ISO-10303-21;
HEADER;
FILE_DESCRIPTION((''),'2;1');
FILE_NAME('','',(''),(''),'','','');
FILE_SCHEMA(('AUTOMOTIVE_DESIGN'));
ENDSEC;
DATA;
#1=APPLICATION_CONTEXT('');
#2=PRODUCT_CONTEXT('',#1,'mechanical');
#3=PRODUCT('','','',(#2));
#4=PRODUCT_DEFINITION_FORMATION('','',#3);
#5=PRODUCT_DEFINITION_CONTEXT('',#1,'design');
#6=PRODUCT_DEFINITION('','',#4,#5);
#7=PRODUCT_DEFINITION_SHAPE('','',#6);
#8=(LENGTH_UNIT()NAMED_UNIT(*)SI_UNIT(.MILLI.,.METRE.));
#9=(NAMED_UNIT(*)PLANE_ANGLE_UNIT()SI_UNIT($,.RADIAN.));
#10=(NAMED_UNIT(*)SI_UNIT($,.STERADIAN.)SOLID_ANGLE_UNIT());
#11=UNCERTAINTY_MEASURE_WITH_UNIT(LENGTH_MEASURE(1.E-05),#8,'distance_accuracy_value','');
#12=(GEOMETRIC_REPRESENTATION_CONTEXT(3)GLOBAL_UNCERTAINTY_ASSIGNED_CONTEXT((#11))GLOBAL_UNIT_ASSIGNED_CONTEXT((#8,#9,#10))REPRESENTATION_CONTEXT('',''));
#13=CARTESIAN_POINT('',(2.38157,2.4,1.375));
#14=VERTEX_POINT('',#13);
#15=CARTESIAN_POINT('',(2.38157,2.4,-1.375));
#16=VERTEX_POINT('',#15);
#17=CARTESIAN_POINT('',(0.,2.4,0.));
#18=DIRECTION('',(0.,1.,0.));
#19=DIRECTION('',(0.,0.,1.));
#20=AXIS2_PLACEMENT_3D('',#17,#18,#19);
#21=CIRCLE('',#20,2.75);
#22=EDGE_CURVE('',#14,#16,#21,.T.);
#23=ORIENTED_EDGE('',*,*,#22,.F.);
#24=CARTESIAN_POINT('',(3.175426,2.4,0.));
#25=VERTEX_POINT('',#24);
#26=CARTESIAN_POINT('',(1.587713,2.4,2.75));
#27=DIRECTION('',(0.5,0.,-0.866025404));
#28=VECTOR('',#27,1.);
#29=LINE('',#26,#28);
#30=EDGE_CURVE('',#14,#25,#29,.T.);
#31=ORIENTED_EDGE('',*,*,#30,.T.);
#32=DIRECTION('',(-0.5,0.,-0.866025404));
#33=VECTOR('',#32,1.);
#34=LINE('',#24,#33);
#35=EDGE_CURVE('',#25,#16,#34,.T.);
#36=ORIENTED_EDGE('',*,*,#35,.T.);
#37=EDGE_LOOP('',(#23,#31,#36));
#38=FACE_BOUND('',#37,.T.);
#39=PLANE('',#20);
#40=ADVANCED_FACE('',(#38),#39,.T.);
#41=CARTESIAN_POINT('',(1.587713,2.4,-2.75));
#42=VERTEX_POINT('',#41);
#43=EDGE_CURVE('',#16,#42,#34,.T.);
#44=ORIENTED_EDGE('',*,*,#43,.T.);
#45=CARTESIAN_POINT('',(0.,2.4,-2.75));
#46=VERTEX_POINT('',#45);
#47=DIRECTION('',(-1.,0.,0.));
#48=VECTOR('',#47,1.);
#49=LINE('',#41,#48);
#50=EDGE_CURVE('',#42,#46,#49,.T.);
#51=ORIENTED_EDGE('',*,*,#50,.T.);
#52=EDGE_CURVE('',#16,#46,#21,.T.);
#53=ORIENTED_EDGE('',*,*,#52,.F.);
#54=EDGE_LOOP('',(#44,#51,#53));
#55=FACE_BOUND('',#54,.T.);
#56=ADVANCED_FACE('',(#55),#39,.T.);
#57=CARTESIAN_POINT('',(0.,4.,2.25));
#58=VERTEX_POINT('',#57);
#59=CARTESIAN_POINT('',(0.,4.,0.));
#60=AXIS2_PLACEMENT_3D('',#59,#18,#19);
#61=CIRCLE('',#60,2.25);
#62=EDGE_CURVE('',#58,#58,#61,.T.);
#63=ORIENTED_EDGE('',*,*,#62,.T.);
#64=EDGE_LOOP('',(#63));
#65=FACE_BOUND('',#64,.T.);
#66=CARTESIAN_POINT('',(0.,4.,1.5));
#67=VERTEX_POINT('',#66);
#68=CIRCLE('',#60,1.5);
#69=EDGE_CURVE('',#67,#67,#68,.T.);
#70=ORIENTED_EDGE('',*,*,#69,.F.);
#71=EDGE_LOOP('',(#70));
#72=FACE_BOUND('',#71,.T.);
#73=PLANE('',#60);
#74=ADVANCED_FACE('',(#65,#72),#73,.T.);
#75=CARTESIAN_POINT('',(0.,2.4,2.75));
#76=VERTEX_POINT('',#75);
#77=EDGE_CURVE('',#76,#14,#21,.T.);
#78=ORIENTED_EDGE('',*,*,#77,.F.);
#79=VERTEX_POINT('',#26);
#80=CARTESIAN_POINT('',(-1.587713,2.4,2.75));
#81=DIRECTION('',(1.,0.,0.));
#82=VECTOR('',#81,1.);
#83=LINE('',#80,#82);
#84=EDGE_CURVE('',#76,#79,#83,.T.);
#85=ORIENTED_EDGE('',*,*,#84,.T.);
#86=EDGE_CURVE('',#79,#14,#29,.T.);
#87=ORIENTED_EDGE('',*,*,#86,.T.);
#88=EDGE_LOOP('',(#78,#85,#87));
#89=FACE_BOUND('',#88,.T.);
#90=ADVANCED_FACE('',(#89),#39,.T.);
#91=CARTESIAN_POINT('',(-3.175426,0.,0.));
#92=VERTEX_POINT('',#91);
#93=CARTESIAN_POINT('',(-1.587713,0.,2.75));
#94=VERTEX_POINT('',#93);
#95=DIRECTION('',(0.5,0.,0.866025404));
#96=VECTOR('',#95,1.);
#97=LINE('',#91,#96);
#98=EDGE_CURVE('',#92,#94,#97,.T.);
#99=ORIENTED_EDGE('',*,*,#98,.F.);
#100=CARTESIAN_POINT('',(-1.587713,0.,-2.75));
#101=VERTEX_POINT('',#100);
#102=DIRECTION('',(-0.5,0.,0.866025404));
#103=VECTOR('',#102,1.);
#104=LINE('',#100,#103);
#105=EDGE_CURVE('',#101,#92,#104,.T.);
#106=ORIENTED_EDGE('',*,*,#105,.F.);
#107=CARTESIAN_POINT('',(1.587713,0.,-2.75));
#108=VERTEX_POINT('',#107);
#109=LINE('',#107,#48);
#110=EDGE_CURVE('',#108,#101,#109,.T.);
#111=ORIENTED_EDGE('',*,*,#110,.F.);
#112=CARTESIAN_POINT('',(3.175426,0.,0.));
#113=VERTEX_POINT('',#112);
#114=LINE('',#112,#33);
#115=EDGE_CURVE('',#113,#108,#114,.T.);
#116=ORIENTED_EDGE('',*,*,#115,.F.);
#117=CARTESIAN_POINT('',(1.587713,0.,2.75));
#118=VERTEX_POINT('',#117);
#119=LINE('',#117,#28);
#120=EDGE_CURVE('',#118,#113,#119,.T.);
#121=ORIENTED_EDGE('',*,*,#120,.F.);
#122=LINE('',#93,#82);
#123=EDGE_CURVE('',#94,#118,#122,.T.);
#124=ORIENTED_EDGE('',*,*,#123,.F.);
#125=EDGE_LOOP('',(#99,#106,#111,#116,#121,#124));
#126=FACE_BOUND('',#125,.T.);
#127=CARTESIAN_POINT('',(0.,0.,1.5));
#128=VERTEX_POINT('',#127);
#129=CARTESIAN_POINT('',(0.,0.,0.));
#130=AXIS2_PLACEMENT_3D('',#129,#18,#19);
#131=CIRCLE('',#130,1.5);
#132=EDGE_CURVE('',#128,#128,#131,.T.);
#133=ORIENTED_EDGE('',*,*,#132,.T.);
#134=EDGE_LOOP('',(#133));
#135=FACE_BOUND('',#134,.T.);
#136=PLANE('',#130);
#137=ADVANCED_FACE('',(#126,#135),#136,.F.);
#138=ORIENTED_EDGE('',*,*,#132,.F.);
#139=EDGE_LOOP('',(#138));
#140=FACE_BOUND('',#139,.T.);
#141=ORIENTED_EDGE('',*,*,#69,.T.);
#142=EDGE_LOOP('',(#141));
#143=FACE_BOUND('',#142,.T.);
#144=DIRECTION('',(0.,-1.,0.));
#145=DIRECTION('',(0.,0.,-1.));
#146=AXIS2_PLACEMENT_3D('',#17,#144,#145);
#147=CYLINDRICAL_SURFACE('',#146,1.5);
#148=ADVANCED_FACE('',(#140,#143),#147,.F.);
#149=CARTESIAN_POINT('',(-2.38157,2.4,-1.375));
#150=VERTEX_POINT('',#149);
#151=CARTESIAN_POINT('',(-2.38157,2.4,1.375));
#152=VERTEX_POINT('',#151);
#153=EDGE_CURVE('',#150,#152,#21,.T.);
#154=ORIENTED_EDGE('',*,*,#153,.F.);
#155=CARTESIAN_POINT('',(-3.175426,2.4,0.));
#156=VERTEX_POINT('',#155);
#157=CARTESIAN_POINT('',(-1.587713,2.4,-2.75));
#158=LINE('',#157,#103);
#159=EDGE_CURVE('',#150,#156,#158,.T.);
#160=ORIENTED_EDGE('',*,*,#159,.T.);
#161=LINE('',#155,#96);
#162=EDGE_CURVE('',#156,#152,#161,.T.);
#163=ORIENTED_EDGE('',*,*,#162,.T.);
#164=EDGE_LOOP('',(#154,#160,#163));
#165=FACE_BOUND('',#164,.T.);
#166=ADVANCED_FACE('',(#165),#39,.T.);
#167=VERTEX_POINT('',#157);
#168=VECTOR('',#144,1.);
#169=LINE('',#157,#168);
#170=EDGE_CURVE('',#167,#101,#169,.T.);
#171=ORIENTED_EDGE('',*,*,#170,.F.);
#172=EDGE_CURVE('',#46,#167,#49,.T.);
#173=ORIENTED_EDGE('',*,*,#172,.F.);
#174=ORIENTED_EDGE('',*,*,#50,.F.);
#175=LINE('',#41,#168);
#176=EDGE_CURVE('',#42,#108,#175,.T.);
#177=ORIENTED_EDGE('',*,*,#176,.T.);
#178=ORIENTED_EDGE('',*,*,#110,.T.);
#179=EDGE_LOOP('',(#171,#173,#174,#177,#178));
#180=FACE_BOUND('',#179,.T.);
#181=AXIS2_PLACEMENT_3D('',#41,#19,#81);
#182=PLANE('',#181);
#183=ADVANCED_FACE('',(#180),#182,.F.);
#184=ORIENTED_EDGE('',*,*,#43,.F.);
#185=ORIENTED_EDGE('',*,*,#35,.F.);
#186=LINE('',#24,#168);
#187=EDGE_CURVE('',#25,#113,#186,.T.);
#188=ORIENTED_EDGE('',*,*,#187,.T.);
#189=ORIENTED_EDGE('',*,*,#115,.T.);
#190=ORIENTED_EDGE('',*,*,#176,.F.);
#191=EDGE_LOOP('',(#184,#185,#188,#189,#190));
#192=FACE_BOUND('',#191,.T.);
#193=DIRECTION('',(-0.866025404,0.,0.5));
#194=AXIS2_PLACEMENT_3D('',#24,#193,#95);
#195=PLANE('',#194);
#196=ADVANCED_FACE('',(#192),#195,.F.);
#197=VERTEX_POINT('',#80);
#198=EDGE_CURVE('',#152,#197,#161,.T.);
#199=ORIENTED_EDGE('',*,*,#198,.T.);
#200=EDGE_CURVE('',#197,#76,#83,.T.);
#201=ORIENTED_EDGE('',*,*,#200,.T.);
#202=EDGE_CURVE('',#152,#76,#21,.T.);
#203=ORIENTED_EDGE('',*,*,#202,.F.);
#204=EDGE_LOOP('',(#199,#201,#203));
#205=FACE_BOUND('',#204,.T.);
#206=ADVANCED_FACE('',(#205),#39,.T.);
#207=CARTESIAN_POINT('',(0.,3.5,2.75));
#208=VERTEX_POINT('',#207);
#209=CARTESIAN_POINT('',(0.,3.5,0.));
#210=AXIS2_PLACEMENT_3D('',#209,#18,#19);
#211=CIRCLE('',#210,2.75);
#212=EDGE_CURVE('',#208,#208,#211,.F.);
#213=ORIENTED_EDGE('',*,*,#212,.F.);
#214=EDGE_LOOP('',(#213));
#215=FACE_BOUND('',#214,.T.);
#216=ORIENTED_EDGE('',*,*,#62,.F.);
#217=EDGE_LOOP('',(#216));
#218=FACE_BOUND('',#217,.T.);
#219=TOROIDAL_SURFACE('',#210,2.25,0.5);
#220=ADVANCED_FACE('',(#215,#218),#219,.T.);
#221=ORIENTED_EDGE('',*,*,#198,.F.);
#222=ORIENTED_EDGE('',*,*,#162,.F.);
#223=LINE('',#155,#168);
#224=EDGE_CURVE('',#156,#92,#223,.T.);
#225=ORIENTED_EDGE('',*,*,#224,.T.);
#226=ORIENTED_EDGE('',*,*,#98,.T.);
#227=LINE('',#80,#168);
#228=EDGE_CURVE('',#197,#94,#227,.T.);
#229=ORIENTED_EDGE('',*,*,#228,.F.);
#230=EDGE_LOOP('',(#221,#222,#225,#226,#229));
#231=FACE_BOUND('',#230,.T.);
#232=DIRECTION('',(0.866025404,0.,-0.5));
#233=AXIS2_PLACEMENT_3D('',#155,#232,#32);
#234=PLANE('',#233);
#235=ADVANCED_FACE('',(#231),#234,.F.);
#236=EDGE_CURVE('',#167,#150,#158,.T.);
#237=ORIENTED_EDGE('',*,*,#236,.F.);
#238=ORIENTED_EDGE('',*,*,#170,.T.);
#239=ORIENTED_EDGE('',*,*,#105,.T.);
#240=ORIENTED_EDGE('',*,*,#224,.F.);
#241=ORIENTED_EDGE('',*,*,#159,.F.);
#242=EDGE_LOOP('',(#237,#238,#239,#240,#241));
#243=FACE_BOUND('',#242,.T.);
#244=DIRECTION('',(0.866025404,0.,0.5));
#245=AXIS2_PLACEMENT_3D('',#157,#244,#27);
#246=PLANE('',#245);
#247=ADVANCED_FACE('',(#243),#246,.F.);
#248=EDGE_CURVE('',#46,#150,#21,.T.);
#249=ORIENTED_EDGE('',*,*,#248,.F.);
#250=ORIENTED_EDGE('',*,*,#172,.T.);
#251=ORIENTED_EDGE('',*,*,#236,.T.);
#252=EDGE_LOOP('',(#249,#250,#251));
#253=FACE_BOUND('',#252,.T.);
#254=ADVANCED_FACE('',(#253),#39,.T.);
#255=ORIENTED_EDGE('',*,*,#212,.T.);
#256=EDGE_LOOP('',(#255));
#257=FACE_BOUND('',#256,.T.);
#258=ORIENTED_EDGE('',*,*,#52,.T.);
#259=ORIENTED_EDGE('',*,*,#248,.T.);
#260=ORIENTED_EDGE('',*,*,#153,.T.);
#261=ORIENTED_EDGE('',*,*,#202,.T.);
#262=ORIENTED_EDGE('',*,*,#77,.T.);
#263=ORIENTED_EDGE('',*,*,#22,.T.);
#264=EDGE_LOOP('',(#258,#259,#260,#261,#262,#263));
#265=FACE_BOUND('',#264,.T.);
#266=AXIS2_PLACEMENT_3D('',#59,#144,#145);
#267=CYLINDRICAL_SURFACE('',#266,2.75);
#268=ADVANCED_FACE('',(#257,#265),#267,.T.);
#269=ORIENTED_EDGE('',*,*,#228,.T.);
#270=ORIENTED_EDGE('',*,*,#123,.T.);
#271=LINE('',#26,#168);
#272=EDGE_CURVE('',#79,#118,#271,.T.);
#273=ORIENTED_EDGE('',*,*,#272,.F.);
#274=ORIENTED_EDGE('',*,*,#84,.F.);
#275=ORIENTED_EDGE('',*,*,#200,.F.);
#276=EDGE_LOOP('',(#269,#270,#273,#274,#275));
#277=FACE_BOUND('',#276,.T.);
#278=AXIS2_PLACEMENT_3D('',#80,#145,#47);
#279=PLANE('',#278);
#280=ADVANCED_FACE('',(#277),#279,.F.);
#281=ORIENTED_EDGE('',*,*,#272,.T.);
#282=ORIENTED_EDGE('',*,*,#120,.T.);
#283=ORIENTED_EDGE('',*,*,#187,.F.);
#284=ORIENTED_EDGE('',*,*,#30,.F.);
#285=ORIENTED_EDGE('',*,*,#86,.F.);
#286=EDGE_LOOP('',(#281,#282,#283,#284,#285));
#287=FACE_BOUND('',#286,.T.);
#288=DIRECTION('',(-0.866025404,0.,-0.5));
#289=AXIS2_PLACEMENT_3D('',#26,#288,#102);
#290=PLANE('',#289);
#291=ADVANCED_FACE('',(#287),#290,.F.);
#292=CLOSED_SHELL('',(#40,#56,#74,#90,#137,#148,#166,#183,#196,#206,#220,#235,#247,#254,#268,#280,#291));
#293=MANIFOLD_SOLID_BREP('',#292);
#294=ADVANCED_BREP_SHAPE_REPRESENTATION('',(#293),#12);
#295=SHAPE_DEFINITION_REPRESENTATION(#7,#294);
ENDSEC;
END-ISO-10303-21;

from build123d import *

# Parameters (mm, degrees)
ESQUISSE1_R        = 1.5
BOSS_EXTRU_1_DEPTH = 2.4
ESQUISSE2_R        = 2.75
ESQUISSE2_R_2      = 1.5
BOSS_EXTRU_2_DEPTH = 1.6
CONG_1_R           = 0.5


with BuildPart() as part:
    # Esquisse1 → Boss.-Extru.1 (new body)
    with BuildSketch(Plane(origin=(0, 0, 0), x_dir=(1, 0, 0), z_dir=(0, 1, 0))):
        Polygon((3.175426481, 0), (1.58771324, 2.75), (-1.58771324, 2.75), (-3.175426481, 0), (-1.58771324, -2.75), (1.58771324, -2.75), align=None)
        with Locations(Location((0, 0, 0), (0, 0, 270))):
            Circle(ESQUISSE1_R, mode=Mode.SUBTRACT)
    extrude(amount=BOSS_EXTRU_1_DEPTH)

    # Esquisse2 → Boss.-Extru.2 (add)
    with BuildSketch(Plane(origin=(0, 2.4, 0), x_dir=(1, 0, 0), z_dir=(0, 1, 0))):
        with Locations(Location((0, 0, 0), (0, 0, 270))):
            Circle(ESQUISSE2_R)
        with Locations(Location((0, 0, 0), (0, 0, 270))):
            Circle(ESQUISSE2_R_2, mode=Mode.SUBTRACT)
    extrude(amount=BOSS_EXTRU_2_DEPTH)

    # Congé1
    cong_1_edges = [part.edges().sort_by_distance(p)[0] for p in [
        (0, 4, -2.75),
    ]]
    fillet(cong_1_edges, radius=CONG_1_R)


solid = part.part
